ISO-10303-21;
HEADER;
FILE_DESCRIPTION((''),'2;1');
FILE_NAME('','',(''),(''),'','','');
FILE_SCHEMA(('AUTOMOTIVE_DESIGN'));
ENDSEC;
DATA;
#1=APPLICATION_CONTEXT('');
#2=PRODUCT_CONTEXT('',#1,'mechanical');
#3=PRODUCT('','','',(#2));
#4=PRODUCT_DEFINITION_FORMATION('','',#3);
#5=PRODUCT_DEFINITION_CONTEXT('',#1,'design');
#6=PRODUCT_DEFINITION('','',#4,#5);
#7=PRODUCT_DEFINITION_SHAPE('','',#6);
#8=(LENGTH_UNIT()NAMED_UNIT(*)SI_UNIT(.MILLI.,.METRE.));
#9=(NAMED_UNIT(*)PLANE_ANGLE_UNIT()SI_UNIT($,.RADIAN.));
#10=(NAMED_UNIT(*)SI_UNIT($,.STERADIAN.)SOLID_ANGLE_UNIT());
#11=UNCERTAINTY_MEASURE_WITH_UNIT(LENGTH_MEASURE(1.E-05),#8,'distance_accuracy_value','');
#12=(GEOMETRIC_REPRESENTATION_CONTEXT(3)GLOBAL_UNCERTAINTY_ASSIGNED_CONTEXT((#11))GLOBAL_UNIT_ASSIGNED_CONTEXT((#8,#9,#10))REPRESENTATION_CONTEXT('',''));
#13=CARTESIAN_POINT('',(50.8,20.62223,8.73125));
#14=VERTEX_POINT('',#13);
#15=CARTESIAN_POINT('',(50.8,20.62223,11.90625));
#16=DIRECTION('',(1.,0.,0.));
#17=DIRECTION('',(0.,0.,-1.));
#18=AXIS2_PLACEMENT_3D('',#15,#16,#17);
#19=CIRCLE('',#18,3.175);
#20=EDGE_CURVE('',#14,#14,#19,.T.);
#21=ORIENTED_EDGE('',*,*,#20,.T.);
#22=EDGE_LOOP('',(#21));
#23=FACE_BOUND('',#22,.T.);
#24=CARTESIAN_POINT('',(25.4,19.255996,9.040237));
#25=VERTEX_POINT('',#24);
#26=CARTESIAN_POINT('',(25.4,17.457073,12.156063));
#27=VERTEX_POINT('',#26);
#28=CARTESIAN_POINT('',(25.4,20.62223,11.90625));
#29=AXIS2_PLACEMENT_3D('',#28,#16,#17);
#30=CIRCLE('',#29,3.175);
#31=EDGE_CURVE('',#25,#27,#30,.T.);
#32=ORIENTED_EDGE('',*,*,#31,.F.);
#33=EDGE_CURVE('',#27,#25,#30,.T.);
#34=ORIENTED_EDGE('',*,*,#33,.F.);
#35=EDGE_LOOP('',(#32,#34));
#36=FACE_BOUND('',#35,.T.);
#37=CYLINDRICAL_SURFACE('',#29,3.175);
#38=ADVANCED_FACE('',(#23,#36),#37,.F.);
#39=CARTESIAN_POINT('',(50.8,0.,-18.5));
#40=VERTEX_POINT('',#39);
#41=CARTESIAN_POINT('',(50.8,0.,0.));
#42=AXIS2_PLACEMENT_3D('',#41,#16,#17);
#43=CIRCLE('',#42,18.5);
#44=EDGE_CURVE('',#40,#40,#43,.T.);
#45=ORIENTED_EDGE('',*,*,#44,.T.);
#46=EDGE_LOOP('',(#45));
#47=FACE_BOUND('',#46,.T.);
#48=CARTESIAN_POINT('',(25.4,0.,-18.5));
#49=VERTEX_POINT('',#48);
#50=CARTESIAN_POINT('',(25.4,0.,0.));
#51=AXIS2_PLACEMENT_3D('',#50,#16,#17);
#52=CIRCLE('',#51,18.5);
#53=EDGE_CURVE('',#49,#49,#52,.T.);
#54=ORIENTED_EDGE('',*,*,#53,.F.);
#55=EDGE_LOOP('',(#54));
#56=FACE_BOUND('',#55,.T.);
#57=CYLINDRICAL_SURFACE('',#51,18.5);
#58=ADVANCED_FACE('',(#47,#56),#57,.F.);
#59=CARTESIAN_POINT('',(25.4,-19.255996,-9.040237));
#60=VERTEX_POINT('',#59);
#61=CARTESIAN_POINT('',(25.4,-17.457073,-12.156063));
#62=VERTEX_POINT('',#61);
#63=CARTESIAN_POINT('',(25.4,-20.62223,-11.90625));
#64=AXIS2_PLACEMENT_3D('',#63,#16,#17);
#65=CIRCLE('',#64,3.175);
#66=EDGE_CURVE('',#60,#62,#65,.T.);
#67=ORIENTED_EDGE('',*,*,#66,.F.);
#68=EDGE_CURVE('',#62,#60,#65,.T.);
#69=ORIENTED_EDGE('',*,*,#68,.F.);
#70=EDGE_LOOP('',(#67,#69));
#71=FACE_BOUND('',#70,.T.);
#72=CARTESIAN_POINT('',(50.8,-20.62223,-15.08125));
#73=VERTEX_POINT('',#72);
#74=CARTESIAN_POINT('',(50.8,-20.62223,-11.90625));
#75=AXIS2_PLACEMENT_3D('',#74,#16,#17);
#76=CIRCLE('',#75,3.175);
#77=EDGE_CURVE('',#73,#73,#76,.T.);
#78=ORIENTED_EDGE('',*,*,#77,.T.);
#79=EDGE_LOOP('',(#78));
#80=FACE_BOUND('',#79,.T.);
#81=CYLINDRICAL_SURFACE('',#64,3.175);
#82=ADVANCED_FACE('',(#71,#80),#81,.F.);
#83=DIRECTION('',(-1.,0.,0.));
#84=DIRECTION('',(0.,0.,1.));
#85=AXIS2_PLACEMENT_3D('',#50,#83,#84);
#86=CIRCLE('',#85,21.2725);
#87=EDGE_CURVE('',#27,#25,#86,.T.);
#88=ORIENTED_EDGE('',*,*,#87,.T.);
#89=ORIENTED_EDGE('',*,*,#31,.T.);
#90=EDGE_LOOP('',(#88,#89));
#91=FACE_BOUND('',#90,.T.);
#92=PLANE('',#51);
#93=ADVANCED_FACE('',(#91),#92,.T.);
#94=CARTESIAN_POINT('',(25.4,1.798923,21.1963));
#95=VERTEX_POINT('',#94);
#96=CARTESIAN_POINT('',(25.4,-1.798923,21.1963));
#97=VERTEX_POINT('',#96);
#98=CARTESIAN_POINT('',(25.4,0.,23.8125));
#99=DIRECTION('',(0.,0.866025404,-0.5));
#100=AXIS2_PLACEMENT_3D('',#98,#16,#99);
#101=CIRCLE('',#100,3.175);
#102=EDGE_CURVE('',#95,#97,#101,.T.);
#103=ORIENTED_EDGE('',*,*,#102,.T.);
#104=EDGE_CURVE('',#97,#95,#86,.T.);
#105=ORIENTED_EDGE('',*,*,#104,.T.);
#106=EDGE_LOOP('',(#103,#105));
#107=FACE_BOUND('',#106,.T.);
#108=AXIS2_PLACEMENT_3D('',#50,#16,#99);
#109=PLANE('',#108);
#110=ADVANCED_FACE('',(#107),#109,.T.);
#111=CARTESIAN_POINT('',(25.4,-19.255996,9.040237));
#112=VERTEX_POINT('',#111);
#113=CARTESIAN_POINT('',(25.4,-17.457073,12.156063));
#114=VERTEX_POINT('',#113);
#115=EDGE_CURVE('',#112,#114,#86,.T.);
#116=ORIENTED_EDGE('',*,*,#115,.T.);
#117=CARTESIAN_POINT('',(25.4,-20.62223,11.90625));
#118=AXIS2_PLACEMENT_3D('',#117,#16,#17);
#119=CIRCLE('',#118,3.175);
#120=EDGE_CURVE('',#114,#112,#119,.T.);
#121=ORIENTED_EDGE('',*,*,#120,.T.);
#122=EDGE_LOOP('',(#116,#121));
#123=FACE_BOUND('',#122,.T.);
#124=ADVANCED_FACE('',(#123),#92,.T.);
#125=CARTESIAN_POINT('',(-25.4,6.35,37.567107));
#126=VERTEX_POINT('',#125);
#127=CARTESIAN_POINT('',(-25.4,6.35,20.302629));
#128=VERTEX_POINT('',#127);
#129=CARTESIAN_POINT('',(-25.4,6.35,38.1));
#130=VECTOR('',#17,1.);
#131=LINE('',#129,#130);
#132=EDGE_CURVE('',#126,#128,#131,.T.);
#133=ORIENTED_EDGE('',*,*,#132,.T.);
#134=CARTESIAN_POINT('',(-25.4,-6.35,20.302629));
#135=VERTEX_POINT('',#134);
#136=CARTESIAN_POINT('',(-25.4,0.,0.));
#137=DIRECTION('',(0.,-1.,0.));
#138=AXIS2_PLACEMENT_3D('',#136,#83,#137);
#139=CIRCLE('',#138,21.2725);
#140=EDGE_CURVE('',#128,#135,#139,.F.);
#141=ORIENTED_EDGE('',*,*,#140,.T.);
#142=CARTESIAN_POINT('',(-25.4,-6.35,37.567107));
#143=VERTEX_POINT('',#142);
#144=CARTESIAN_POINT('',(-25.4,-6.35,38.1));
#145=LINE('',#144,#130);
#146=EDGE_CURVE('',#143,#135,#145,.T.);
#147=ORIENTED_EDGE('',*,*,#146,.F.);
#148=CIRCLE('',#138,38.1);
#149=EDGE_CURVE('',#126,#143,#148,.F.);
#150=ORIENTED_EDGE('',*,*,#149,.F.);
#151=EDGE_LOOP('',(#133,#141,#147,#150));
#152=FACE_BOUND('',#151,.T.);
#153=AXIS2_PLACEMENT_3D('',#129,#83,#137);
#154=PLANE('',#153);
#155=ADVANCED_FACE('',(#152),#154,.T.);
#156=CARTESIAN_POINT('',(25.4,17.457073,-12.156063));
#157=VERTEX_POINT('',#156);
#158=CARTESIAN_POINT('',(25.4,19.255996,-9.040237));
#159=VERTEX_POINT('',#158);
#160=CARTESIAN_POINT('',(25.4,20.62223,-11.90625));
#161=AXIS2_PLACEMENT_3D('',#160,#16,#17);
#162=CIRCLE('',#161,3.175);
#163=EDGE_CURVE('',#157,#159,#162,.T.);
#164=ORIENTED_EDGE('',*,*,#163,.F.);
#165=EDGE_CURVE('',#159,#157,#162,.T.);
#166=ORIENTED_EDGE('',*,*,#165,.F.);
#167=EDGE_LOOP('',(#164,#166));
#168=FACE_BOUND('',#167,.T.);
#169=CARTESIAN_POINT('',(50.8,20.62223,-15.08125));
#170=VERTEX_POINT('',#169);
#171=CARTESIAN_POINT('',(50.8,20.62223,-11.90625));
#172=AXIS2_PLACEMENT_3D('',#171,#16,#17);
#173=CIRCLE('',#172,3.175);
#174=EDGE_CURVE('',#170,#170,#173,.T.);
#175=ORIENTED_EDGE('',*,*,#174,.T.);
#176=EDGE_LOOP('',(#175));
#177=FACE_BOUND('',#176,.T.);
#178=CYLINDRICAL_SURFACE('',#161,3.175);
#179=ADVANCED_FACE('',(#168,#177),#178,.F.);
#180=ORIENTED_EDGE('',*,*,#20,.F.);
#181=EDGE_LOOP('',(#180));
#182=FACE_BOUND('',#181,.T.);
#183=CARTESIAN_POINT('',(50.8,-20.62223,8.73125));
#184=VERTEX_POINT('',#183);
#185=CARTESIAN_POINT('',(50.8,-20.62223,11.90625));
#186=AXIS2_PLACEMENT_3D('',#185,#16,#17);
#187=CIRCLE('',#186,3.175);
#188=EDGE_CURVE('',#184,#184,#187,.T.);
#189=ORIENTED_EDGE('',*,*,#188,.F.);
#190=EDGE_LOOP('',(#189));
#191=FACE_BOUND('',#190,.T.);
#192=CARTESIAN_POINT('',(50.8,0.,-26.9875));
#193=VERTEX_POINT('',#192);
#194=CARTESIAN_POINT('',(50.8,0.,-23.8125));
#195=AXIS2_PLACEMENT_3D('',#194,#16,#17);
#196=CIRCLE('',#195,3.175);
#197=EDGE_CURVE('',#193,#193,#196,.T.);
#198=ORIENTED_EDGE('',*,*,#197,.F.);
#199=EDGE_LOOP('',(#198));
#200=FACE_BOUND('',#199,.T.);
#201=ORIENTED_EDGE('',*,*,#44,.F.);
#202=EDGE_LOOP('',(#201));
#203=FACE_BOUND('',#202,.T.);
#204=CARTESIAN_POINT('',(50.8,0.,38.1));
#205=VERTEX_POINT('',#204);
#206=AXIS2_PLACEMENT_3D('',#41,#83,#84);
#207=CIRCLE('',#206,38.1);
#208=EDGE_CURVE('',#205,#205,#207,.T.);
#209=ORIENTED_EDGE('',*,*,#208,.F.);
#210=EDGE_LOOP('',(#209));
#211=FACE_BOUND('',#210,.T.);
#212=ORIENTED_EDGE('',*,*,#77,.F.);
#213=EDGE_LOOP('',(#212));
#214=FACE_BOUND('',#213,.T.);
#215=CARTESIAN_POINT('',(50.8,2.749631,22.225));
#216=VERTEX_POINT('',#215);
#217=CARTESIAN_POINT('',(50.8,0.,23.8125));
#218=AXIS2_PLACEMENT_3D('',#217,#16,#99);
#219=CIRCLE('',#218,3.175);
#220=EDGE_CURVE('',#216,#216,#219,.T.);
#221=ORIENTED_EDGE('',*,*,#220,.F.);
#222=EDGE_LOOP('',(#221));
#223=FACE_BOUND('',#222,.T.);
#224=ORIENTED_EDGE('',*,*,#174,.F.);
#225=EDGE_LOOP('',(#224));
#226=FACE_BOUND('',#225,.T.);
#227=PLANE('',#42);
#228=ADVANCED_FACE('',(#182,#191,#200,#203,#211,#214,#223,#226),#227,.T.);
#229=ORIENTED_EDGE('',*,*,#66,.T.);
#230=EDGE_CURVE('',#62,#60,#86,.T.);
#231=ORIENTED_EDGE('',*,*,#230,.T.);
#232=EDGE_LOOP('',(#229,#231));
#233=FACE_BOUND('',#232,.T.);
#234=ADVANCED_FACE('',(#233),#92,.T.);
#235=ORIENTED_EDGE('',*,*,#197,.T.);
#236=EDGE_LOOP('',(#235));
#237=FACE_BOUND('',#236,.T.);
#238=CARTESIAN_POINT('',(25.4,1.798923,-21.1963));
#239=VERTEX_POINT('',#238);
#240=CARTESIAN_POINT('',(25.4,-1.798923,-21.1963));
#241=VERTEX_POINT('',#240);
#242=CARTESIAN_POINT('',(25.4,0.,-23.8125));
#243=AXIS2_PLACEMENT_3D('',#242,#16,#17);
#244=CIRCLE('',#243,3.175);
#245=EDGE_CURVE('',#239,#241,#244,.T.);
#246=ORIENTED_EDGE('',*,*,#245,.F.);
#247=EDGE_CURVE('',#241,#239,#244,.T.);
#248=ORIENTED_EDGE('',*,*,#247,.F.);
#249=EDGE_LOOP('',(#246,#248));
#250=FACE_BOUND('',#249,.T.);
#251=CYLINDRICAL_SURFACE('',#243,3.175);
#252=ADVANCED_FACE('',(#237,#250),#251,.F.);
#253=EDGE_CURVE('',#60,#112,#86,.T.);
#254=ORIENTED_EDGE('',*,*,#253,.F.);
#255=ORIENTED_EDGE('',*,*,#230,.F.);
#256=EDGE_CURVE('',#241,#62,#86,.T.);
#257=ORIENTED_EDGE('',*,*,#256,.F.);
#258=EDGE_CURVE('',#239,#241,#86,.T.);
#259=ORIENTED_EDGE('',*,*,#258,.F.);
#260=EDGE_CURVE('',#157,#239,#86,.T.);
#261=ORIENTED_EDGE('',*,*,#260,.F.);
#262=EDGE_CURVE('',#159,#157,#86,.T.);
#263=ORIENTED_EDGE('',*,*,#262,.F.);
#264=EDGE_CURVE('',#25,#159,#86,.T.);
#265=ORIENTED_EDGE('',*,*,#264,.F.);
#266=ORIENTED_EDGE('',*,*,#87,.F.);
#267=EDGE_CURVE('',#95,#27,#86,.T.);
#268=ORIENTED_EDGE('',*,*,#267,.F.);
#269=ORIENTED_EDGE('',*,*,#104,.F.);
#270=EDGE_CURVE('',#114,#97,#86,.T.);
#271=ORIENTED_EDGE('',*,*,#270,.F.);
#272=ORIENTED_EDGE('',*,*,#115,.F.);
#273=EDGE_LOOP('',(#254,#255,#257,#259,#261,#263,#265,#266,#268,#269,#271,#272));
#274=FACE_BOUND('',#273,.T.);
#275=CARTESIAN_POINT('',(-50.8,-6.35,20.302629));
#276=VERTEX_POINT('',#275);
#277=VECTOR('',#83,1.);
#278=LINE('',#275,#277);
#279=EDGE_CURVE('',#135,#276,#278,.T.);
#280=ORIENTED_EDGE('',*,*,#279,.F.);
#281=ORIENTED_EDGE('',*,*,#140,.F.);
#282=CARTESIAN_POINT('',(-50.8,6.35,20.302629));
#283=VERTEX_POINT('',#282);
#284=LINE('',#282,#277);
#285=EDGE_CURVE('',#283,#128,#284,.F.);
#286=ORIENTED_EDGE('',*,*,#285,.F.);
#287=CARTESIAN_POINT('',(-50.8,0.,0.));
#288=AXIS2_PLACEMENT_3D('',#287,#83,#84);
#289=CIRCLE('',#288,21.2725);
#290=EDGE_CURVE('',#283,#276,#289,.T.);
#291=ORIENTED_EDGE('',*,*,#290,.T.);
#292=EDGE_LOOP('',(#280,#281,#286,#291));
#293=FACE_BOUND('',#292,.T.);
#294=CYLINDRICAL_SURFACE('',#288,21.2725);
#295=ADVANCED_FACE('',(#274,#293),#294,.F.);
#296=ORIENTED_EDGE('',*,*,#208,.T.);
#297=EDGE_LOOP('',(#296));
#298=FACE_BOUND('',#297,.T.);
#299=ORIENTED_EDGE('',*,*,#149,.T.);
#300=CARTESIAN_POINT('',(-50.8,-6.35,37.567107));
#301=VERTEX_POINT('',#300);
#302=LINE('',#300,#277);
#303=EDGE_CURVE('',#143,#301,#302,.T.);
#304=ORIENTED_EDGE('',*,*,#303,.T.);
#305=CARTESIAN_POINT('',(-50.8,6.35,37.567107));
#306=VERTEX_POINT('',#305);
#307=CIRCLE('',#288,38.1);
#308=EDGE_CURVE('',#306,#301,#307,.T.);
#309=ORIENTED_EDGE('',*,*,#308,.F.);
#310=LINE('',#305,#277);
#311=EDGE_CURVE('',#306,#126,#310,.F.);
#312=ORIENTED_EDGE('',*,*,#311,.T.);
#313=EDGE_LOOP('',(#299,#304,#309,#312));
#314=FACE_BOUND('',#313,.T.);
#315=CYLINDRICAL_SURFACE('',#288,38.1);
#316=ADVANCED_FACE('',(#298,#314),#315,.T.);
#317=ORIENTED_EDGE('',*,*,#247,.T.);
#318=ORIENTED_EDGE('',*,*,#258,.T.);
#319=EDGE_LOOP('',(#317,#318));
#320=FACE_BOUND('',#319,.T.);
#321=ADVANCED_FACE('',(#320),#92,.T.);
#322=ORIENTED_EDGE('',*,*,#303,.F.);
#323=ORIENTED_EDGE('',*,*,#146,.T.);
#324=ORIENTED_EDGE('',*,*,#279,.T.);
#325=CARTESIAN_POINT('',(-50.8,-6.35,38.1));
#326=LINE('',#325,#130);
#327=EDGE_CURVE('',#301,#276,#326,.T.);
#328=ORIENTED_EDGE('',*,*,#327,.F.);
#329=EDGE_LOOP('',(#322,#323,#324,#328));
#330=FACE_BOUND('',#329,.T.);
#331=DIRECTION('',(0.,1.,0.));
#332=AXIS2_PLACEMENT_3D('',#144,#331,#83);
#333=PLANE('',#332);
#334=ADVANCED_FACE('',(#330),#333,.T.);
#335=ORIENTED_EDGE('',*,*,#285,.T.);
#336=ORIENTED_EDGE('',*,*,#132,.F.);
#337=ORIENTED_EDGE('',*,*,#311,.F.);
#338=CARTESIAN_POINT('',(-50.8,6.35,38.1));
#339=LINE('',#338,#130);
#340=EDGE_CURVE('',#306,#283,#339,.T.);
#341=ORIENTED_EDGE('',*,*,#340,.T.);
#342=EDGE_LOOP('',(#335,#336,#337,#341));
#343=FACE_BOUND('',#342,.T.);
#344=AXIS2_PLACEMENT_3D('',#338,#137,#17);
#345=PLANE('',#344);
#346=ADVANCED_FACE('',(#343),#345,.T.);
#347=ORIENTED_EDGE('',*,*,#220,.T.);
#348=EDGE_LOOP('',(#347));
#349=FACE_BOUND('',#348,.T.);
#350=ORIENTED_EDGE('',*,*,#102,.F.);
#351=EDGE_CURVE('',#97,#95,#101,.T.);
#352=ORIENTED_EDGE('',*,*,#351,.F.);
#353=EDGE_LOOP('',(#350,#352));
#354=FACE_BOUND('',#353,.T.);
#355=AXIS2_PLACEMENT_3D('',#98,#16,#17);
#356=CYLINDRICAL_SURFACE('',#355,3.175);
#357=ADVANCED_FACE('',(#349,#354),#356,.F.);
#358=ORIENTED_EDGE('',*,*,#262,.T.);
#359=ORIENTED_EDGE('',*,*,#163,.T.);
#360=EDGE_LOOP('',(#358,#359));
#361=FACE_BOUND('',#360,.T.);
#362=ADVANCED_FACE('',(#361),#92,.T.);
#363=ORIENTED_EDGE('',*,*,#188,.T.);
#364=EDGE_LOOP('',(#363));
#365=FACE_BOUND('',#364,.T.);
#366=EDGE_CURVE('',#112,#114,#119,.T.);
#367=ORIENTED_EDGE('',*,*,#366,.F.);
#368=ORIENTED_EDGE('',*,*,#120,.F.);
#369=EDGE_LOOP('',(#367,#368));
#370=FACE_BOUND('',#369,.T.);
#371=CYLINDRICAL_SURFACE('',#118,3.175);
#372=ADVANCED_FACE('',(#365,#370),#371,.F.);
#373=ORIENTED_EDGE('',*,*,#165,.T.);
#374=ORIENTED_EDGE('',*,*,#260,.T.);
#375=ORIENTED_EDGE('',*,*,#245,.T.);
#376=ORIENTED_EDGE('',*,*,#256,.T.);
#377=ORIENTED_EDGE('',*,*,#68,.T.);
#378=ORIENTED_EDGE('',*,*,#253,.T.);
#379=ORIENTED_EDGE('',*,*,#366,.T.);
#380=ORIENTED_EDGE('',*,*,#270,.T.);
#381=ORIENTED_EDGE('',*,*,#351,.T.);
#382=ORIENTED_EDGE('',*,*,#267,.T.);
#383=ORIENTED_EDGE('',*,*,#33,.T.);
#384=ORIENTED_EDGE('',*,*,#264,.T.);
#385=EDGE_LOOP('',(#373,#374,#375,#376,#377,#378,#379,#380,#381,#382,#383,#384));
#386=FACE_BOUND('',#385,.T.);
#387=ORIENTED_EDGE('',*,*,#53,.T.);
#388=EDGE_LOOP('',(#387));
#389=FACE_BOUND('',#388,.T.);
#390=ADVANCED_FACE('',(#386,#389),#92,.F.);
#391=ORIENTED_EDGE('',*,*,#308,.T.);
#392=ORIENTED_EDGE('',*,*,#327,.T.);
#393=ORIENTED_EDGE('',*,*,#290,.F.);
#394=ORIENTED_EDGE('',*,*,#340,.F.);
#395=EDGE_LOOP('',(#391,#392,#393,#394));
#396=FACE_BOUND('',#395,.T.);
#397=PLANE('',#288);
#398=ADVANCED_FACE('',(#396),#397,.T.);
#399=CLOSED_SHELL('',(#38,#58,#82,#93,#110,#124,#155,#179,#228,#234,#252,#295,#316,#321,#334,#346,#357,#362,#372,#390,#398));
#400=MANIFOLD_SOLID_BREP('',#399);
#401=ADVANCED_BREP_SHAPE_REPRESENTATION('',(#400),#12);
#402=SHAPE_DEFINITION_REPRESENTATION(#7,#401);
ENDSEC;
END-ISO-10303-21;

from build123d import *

# Parameters (mm, degrees)
SKETCH1_W          = 25.4
SKETCH1_H          = 5.3975
SKETCH2_R          = 3.175
SKETCH2_R_2        = 18.5
CUT_EXTRUDE1_DEPTH = 25.4
CIRPATTERN1_COUNT  = 6
SKETCH3_W          = 25.4
SKETCH3_H          = 12.7
CUT_EXTRUDE2_DEPTH = 39.1


with BuildPart() as part:
    # Sketch1 → Revolve1 (revolve)
    with BuildSketch(Plane.XY):
        Polygon((-50.8, 38.1), (-50.8, 21.2725), (25.4, 21.2725), (50.8, 21.2725), (50.8, 38.1), (44.45, 38.1), align=None)
        with Locations((38.1, 18.57375)):
            Rectangle(SKETCH1_W, SKETCH1_H)
    revolve(axis=Axis((-50.8, 0, 0), (1, 0, 0)))

    # Sketch2 → Cut-Extrude1 (cut)
    with BuildSketch(Plane(origin=(50.8, 0, 0), x_dir=(0, 0, -1), z_dir=(1, 0, 0))):
        with Locations((-11.90625, -20.622229928)):
            Circle(SKETCH2_R)
        with Locations((11.90625, -20.622229928)):
            Circle(SKETCH2_R)
        with Locations((23.8125, 0)):
            Circle(SKETCH2_R)
        with Locations((11.90625, 20.622229928)):
            Circle(SKETCH2_R)
        with Locations((-11.90625, 20.622229928)):
            Circle(SKETCH2_R)
        Circle(SKETCH2_R_2)
    cut_extrude1 = extrude(amount=-CUT_EXTRUDE1_DEPTH, mode=Mode.SUBTRACT)

    # CirPattern1: Cut-Extrude1 ×6 about axis
    cirpattern1_axis = Axis((-50.8, 0, 0), (-1, 0, 0))
    for i in range(1, CIRPATTERN1_COUNT):
        add(cut_extrude1.rotate(cirpattern1_axis, i * 360 / CIRPATTERN1_COUNT), mode=Mode.SUBTRACT)

    # Sketch3 → Cut-Extrude2 (cut, through all)
    with BuildSketch(Plane.XY):
        with Locations((-38.1, 0)):
            Rectangle(SKETCH3_W, SKETCH3_H)
    extrude(amount=CUT_EXTRUDE2_DEPTH, mode=Mode.SUBTRACT)


solid = part.part
